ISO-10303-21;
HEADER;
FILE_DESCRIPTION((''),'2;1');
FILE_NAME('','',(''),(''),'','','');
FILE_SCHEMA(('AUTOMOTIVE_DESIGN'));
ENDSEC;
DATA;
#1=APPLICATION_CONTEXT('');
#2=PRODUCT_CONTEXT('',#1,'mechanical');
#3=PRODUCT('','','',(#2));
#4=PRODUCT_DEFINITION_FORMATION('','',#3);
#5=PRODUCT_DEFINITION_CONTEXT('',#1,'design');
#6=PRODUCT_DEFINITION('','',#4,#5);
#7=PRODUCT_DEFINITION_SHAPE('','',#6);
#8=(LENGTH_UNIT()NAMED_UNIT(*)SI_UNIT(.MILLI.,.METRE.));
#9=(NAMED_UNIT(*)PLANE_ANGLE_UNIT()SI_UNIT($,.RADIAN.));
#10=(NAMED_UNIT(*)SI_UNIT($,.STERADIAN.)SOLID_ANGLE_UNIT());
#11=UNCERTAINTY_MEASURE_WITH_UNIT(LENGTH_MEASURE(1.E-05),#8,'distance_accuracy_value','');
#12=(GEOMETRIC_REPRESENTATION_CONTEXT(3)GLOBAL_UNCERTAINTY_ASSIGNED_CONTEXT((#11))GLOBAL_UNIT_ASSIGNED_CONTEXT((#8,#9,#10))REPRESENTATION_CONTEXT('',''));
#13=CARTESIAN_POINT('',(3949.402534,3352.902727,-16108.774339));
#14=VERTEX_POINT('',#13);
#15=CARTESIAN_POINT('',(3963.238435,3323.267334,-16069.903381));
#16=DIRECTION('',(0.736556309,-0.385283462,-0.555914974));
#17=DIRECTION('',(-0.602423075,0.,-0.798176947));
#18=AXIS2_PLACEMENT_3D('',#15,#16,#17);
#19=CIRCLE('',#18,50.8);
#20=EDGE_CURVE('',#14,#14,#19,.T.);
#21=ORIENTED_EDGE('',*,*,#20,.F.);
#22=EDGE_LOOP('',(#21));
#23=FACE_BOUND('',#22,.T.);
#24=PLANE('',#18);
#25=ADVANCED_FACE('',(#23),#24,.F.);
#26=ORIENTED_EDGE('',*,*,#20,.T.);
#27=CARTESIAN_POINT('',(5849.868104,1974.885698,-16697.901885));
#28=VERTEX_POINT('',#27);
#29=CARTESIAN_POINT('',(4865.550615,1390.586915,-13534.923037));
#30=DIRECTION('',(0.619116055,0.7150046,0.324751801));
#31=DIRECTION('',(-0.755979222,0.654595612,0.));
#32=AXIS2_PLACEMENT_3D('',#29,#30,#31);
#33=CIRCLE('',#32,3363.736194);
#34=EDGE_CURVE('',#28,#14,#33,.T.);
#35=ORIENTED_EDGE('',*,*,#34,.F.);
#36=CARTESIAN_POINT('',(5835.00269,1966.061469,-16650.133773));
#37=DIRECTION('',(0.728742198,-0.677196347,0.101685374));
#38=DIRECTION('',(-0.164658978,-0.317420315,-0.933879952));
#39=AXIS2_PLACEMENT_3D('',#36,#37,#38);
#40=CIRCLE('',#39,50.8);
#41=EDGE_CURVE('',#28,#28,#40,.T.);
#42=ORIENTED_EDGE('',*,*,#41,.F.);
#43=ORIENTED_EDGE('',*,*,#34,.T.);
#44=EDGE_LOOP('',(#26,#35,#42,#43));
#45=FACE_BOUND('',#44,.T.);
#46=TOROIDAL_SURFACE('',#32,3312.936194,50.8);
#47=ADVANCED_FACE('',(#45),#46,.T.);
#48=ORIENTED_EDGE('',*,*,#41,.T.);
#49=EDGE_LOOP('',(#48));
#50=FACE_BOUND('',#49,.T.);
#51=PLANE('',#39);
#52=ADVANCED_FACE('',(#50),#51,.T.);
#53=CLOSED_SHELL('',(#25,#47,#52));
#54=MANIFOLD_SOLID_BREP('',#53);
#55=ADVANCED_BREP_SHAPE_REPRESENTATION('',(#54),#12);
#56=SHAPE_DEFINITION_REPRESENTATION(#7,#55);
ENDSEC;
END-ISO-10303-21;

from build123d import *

# Parameters (mm, degrees)
SKETCH2_R = 50.8


with BuildPart() as part:
    # Sweep1: sweep along a path in Sketch1
    with BuildLine(Plane(origin=(-240.758193977, -278.04676483, -126.28756194), x_dir=(0.7852995035947753, -0.5636968128155838, -0.25602850012323247), z_dir=(-0.6191160550767517, -0.7150045999488047, -0.3247518012240277))) as sweep1_path:
        ThreePointArc((5353.367231163, -16005.73008558), (6548.186677501, -16211.045763483), (7736.870909103, -15972.764764489))
    # Sketch2 → Sweep1 (sweep)
    with BuildSketch(Plane(origin=(7787.056146516, -4073.312400842, -5877.271107558), x_dir=(-0.49259310753038127, 0.2576693394423084, -0.8312391604856731), z_dir=(0.7365563089241979, -0.3852834615044983, -0.5559149737820284))):
        with Locations((12261.973158036, 4781.708963444)):
            Circle(SKETCH2_R)
    sweep(path=sweep1_path.line)


solid = part.part
